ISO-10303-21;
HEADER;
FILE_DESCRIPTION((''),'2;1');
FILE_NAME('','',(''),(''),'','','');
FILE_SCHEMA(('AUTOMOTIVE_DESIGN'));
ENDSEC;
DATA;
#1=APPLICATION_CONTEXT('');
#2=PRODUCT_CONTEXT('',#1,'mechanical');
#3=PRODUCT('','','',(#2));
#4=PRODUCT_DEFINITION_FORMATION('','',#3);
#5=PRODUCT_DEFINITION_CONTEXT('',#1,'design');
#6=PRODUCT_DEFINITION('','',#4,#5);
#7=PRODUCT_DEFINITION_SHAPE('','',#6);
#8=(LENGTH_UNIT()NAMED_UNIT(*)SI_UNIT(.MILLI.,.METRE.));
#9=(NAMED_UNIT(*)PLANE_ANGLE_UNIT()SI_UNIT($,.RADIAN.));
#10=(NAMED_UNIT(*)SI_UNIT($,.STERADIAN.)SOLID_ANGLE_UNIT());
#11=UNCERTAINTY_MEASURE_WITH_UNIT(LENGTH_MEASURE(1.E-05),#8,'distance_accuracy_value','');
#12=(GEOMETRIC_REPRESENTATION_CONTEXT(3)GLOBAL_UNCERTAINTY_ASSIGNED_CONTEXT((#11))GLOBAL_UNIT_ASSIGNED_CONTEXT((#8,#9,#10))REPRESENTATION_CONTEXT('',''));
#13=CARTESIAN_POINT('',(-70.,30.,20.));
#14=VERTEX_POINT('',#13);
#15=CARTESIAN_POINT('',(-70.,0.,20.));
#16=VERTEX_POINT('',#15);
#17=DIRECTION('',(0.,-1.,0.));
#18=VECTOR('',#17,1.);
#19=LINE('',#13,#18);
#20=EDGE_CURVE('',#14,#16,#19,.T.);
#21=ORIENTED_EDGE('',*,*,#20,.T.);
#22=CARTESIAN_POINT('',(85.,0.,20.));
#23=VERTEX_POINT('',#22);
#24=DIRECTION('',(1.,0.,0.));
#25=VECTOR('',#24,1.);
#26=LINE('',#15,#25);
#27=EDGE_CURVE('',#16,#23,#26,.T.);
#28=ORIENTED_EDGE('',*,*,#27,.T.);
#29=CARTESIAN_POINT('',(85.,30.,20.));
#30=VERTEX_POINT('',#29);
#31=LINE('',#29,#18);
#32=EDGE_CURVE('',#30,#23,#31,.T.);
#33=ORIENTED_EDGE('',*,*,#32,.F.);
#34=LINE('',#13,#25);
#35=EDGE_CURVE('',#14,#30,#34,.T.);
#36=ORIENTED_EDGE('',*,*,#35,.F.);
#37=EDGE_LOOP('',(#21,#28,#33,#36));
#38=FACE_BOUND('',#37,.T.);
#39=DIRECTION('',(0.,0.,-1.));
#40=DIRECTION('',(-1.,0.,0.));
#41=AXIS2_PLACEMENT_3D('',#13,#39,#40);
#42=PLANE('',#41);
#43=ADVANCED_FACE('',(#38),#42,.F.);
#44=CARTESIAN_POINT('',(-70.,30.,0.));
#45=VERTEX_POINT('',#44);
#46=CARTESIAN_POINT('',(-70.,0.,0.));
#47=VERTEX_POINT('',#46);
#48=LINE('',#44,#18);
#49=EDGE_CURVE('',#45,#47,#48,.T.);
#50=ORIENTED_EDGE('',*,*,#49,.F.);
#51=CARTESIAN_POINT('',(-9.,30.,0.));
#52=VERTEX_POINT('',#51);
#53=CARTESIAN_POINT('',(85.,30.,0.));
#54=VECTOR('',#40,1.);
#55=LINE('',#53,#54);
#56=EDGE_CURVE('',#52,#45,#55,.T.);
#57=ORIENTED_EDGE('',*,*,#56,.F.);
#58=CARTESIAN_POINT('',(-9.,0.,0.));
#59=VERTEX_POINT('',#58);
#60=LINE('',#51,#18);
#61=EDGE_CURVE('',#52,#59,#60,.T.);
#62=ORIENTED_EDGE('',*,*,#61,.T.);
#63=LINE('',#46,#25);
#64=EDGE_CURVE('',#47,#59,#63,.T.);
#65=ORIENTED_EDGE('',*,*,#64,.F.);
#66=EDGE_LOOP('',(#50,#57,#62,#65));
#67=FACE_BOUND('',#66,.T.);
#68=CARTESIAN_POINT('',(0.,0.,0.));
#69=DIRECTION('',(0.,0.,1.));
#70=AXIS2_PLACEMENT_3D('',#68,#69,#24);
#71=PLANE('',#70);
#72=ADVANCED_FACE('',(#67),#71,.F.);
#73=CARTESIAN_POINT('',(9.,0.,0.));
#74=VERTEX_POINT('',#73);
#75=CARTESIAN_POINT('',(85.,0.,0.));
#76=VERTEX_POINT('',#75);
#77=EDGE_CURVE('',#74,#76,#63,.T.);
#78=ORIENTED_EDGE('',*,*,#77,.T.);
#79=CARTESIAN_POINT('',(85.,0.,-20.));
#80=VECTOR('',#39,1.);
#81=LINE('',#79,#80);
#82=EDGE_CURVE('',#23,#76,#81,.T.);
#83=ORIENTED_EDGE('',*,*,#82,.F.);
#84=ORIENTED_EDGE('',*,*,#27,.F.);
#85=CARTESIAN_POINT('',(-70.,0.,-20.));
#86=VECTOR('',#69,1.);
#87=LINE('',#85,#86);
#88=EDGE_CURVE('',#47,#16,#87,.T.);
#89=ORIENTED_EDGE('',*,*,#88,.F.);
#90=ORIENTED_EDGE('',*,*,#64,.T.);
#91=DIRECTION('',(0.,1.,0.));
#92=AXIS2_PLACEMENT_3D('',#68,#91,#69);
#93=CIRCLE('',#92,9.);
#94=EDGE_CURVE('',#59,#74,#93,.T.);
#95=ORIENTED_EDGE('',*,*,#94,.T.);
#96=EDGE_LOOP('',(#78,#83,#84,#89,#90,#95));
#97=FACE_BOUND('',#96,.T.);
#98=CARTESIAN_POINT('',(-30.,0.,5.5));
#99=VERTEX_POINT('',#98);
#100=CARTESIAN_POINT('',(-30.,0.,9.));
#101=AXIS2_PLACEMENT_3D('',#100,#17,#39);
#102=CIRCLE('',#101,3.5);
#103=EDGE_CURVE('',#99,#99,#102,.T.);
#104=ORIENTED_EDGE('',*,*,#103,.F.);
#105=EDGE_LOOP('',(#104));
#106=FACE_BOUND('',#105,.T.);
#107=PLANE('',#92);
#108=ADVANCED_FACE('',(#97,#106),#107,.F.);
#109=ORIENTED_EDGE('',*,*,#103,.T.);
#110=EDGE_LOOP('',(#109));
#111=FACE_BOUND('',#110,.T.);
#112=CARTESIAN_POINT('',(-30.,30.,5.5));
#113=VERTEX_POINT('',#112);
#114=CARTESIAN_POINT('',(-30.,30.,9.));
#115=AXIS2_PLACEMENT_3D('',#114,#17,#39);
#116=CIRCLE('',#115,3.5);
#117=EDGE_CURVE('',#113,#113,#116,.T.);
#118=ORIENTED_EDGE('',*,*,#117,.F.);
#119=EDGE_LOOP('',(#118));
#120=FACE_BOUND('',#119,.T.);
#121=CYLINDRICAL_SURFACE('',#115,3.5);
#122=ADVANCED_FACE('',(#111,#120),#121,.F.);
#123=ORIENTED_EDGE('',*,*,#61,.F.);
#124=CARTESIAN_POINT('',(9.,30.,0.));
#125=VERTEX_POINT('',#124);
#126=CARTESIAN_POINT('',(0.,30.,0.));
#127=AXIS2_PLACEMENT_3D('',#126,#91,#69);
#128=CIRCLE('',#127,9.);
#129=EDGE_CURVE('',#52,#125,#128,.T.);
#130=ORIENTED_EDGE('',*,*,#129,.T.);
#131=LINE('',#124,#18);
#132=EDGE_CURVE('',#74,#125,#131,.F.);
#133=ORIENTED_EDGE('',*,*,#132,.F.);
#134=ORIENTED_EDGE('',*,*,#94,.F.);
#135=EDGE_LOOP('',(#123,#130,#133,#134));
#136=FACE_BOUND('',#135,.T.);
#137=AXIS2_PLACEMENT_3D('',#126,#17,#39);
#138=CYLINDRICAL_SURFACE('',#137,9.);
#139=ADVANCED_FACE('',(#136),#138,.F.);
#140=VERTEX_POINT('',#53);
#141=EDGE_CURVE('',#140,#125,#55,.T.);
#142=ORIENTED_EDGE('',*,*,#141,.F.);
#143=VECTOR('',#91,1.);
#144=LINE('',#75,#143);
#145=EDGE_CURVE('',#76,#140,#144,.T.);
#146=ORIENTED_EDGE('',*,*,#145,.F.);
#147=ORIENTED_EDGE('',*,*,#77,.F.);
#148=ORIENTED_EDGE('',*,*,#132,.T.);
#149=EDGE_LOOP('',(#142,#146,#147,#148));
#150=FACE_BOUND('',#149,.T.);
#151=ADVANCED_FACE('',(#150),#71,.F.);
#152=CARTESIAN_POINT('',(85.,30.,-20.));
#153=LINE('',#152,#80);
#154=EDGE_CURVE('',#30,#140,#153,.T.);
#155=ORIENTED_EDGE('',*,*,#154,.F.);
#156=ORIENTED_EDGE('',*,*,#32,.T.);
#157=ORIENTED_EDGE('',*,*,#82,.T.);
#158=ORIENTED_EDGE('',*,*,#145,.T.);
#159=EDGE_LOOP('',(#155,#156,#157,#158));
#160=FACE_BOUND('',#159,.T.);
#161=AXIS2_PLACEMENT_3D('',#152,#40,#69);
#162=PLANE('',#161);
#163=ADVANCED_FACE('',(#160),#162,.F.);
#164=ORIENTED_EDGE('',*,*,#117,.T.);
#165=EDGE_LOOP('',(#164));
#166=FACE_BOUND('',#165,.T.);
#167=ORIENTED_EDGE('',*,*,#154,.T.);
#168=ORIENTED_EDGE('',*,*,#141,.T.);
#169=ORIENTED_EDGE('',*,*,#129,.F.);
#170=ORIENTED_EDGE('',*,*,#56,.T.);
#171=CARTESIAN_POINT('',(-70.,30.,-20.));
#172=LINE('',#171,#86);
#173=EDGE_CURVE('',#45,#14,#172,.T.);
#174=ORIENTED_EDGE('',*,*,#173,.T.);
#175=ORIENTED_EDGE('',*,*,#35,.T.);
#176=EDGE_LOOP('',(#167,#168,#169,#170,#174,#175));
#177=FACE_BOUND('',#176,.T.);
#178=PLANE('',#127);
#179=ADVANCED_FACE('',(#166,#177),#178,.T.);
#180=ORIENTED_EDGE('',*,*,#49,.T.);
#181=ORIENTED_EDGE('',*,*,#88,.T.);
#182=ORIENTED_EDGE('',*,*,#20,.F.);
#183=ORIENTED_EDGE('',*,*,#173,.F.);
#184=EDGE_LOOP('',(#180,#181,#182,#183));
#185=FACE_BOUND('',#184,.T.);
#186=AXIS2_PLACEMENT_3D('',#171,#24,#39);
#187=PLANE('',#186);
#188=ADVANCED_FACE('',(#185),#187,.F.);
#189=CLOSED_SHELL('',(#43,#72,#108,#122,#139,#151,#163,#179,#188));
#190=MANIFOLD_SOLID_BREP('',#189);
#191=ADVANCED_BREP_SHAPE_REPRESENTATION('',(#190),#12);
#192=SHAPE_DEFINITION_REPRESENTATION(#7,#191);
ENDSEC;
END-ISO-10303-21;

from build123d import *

# Parameters (mm, degrees)
SKETCH1_W           = 155
SKETCH1_H           = 40
SKETCH1_R           = 9
BOSS_EXTRUDE1_DEPTH = 30
SKETCH2_W           = 155
SKETCH2_H           = 30
CUT_EXTRUDE1_DEPTH  = 21
SKETCH4_R           = 3.5
CUT_EXTRUDE3_DEPTH  = 31


with BuildPart() as part:
    # Sketch1 → Boss-Extrude1 (new body)
    with BuildSketch(Plane(origin=(0, 0, 0), x_dir=(1, 0, 0), z_dir=(0, 1, 0))):
        with Locations((7.5, 0)):
            Rectangle(SKETCH1_W, SKETCH1_H)
        Circle(SKETCH1_R, mode=Mode.SUBTRACT)
    extrude(amount=BOSS_EXTRUDE1_DEPTH)

    # Sketch2 → Cut-Extrude1 (cut, through all)
    with BuildSketch(Plane.XY):
        with Locations((7.5, 15)):
            Rectangle(SKETCH2_W, SKETCH2_H)
    extrude(amount=-CUT_EXTRUDE1_DEPTH, mode=Mode.SUBTRACT)

    # Sketch4 → Cut-Extrude3 (cut, through all)
    with BuildSketch(Plane.XZ):
        with Locations((-30, 9)):
            Circle(SKETCH4_R)
    extrude(amount=-CUT_EXTRUDE3_DEPTH, mode=Mode.SUBTRACT)


solid = part.part
